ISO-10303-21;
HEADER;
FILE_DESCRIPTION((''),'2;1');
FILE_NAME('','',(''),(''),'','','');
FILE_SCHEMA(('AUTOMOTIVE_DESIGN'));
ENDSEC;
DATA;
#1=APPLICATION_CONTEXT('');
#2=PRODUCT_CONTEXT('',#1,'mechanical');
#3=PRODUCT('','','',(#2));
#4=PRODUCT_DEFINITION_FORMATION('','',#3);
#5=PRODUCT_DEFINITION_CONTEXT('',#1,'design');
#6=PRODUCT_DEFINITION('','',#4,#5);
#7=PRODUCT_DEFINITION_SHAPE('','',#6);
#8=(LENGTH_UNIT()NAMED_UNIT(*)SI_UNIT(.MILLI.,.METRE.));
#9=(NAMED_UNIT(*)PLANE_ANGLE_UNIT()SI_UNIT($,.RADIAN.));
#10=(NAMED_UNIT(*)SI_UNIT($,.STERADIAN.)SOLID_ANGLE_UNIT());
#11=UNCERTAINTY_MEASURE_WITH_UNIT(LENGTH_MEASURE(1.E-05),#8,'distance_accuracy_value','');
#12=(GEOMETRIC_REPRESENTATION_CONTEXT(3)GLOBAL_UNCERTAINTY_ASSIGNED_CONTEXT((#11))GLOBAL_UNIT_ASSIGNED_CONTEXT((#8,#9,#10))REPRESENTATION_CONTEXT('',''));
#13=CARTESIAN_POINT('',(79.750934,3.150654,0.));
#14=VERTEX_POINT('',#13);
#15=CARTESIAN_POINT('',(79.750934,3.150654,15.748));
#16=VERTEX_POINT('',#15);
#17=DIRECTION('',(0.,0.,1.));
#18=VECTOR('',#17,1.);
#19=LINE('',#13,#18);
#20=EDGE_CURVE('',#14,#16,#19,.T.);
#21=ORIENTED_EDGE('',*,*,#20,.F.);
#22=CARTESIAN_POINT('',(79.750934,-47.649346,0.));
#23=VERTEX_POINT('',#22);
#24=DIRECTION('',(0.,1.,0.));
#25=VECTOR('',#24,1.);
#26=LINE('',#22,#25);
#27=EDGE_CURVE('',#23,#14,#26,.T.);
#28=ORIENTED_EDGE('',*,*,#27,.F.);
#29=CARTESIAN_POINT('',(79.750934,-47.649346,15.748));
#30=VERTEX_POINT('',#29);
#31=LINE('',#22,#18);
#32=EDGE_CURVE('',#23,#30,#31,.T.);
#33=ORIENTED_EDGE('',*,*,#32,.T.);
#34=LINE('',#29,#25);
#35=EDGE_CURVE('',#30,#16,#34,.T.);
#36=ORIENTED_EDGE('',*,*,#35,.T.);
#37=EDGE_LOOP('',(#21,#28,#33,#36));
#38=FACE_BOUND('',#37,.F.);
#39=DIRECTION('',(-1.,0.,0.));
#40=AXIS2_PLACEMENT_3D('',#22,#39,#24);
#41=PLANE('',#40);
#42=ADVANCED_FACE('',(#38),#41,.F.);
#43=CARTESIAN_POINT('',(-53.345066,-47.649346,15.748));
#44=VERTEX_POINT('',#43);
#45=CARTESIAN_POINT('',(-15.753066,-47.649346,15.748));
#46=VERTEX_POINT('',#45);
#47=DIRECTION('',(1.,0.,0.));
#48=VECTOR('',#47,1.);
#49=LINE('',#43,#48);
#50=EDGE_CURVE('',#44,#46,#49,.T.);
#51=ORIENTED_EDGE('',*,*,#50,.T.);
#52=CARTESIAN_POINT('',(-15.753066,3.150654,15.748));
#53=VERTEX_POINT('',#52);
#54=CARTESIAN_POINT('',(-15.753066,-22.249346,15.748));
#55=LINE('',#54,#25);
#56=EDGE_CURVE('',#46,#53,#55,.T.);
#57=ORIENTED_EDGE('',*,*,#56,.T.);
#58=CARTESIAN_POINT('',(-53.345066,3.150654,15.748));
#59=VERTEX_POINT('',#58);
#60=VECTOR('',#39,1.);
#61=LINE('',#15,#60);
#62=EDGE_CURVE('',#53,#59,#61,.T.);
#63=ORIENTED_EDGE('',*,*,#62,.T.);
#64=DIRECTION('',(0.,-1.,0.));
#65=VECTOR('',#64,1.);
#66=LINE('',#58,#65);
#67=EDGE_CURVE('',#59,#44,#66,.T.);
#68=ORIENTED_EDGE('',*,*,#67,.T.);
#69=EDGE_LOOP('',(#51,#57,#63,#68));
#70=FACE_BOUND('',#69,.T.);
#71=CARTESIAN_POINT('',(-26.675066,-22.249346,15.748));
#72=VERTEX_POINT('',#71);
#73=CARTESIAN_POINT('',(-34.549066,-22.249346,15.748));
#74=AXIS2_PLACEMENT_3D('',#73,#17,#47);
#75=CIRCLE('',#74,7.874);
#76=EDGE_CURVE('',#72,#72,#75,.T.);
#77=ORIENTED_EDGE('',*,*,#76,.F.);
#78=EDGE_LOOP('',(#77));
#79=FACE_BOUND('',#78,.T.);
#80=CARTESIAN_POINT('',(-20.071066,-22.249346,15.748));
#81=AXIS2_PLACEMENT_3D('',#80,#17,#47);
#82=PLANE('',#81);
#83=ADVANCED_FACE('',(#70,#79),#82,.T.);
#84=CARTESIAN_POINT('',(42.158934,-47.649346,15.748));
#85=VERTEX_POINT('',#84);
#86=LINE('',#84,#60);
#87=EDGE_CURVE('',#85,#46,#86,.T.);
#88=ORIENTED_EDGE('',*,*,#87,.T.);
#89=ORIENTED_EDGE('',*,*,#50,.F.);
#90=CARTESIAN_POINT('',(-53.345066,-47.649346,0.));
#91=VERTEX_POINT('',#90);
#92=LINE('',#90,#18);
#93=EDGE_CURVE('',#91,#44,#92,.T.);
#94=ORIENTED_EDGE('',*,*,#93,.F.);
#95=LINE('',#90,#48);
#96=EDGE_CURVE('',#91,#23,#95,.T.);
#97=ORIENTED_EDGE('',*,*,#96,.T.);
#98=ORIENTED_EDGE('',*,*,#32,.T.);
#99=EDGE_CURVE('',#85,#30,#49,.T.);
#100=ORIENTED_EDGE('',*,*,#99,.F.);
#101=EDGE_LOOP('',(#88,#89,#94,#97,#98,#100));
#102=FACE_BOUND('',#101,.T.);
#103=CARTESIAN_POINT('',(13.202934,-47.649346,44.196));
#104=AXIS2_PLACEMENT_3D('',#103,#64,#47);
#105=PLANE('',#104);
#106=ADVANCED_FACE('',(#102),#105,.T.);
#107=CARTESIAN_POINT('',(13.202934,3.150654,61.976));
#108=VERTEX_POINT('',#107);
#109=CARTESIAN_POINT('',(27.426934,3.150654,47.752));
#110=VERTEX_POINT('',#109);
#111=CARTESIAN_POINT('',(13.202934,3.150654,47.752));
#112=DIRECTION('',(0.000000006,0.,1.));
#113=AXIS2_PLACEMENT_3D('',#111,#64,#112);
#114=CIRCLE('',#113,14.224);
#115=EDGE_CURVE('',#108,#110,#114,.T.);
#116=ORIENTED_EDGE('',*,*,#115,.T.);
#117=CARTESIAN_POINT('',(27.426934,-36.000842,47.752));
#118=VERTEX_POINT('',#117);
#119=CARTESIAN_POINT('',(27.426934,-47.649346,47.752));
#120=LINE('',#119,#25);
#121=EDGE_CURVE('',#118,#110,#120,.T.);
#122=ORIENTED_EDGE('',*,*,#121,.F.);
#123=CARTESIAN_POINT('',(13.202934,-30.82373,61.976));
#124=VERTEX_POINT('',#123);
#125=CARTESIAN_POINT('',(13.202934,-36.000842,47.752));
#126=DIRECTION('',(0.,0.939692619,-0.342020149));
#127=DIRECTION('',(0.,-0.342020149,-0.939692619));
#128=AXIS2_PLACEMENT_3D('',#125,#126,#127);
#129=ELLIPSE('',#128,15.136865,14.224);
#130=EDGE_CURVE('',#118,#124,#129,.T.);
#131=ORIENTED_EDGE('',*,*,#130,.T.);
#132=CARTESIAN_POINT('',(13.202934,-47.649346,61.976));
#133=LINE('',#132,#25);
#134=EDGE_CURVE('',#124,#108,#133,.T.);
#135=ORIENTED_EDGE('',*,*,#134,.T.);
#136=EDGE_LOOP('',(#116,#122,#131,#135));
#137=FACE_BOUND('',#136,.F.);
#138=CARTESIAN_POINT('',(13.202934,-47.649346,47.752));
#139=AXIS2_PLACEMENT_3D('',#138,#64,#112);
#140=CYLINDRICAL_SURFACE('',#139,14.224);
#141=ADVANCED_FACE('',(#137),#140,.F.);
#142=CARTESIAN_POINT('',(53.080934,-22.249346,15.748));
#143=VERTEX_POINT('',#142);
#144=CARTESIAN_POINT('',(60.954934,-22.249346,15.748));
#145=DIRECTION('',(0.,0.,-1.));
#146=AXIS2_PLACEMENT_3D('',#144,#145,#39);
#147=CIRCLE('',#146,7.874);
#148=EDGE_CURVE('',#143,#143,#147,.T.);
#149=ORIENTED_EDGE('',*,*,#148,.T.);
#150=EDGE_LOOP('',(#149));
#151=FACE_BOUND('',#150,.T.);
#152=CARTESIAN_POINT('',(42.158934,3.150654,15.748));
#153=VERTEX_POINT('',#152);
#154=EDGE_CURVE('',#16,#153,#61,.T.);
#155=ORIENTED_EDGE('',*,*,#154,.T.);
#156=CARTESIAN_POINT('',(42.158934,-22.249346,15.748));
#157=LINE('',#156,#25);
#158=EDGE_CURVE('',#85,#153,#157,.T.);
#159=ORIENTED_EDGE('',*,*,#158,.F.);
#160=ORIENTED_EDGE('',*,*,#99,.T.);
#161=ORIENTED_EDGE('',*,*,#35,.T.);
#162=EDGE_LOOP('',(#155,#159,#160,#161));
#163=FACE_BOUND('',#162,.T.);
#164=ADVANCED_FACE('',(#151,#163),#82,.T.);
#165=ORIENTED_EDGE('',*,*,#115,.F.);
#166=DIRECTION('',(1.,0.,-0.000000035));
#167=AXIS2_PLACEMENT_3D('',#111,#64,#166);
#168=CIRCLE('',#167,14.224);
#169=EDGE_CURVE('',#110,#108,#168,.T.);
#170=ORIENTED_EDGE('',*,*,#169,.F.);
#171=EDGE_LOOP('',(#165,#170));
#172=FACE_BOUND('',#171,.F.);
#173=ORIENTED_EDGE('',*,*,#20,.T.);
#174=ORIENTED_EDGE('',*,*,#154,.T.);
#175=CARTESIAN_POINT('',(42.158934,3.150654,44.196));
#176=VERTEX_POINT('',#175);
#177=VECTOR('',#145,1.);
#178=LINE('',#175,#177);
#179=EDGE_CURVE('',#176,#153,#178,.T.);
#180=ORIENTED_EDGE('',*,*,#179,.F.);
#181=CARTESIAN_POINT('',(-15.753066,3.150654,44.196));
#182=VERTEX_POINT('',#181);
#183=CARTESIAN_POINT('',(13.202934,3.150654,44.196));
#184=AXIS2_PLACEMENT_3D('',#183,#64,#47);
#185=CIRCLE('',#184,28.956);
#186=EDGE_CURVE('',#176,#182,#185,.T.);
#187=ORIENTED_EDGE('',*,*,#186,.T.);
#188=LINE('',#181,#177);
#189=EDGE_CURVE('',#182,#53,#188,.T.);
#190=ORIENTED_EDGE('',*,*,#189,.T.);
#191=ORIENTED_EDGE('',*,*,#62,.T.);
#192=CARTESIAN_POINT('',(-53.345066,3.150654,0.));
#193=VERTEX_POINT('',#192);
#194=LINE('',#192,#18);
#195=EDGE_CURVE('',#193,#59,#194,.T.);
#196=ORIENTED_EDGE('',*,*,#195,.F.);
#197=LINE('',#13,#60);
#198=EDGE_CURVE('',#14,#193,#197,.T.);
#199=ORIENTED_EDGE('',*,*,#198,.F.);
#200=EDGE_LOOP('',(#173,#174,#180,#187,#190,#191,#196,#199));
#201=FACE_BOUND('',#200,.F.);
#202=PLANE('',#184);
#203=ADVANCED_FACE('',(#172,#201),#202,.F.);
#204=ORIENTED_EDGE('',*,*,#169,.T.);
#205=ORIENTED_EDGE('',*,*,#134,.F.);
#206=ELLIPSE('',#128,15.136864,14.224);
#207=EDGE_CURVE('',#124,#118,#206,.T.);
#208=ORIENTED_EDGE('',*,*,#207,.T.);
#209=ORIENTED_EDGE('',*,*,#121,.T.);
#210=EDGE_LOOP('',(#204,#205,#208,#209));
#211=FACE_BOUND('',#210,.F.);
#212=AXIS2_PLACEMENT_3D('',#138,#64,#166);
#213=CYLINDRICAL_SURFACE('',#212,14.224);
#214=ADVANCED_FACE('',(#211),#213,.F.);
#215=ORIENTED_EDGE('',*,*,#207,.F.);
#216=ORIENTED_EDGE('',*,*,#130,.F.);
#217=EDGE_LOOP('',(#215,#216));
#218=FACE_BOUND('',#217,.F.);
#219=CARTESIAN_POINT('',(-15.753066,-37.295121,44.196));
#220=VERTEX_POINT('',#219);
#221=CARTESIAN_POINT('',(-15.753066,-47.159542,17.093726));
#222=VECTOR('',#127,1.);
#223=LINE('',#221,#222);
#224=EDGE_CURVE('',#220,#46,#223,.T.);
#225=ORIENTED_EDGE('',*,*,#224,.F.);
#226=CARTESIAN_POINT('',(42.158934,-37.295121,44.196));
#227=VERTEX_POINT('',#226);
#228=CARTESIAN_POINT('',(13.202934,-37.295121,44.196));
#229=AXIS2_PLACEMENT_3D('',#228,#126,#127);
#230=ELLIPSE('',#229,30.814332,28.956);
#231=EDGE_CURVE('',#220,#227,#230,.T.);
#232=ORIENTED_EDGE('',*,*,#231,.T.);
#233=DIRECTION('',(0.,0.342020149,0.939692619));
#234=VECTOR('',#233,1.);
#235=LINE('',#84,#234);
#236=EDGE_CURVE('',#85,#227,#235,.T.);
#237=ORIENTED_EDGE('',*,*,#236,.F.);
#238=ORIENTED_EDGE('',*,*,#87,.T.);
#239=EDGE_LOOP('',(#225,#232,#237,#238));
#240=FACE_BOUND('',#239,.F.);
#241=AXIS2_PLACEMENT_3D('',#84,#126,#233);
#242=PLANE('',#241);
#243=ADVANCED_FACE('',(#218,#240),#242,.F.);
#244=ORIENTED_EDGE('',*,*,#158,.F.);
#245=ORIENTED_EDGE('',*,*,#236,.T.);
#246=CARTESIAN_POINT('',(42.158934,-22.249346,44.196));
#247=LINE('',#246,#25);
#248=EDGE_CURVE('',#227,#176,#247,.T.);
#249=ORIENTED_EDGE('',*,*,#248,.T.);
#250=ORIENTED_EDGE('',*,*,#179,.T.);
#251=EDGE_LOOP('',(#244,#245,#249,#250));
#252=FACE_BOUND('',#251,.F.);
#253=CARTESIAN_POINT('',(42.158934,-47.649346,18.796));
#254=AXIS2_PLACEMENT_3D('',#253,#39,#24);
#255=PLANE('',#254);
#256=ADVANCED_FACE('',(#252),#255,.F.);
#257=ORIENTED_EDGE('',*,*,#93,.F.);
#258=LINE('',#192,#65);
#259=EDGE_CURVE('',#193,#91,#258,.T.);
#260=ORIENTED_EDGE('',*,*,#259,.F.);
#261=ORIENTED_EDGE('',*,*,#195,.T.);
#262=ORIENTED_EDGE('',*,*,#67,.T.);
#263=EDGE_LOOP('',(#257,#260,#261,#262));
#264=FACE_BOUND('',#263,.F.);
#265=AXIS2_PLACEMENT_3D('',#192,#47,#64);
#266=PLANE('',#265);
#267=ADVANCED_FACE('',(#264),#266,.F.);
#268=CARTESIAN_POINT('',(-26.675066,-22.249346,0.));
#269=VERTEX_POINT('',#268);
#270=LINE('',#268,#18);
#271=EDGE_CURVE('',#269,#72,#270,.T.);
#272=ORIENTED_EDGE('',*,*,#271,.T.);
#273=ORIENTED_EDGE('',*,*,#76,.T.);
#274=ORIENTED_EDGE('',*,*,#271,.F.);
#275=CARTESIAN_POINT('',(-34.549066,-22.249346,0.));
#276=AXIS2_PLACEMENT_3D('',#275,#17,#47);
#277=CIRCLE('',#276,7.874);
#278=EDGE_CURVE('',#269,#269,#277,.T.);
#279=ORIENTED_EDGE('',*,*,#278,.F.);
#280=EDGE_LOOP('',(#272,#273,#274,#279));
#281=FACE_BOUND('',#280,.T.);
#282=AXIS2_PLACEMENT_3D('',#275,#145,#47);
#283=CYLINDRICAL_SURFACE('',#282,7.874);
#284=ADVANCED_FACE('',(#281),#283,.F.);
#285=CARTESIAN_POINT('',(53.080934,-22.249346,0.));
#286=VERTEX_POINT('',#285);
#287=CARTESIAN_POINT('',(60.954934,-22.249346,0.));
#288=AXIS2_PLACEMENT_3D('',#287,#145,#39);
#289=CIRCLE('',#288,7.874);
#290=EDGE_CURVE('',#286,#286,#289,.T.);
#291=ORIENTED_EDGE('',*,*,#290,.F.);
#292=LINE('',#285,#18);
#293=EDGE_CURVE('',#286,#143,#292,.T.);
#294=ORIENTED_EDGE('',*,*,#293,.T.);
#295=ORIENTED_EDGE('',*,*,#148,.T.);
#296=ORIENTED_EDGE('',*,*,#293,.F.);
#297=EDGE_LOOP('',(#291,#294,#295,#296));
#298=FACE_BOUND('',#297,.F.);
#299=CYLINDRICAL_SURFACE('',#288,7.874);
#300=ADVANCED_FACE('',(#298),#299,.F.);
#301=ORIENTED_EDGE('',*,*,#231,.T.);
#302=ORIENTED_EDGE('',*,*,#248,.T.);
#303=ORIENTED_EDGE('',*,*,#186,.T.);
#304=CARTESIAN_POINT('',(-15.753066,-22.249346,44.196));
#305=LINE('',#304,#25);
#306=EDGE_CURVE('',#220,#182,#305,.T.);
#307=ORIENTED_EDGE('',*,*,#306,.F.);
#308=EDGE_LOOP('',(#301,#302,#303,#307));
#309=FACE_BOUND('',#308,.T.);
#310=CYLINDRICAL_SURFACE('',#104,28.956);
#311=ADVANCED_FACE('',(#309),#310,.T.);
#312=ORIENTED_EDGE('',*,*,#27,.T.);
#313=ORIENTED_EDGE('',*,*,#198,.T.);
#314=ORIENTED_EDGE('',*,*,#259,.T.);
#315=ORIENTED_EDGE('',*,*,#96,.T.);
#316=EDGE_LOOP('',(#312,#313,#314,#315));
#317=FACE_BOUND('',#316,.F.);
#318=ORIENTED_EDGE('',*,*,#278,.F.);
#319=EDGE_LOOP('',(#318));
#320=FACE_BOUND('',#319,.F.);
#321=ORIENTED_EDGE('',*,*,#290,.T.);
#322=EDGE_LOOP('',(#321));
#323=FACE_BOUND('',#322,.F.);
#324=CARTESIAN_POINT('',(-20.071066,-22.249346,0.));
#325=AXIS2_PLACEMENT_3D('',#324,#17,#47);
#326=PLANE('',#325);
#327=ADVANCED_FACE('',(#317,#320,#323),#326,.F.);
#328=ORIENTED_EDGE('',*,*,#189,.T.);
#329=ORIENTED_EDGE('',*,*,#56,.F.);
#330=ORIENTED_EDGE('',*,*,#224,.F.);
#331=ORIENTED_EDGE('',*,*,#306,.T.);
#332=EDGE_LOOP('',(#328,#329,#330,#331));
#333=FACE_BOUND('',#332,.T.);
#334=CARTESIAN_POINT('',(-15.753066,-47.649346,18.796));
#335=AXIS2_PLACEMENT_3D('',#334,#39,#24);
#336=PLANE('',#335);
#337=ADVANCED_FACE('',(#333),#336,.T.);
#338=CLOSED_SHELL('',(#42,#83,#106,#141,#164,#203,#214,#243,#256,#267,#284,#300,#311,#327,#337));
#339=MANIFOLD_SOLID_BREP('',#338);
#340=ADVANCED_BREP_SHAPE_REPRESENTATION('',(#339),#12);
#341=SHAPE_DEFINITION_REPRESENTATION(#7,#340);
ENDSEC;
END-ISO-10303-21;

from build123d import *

# Parameters (mm, degrees)
F0_R      = 7.874
F1_DEPTH  = 15.748
F2_W      = 57.912
F2_H      = 50.8
F3_DEPTH  = 3.048
F3_FACE_W = 57.912
F3_FACE_H = 50.8
F4_DEPTH  = 25.4
F5_R      = 28.956
F6_DEPTH  = 50.8
F8_DEPTH  = 50.8
F10_DEPTH = 177.8


with BuildPart() as f1:
    # F0 (on Top) → F1 (new body)
    with BuildSketch(Plane.XY):
        Polygon((13.202934, 3.150654), (-53.345066, 3.150654), (-53.345066, -47.649346), (13.202934, -47.649346), (13.202934, -22.249346), align=None)
        with Locations((-34.549066, -22.249346)):
            Circle(F0_R, mode=Mode.SUBTRACT)
        with BuildLine():
            ThreePointArc((68.828934, -22.249346), (60.954934, -14.375346), (53.080934, -22.249346))
            ThreePointArc((53.080934, -22.249346), (60.954934, -30.123346), (68.828934, -22.249346))
        make_face()
        Polygon((79.750934, 3.150654), (13.202934, 3.150654), (13.202934, -22.249346), (13.202934, -47.649346), (79.750934, -47.649346), align=None)
        with BuildLine():
            ThreePointArc((68.828934, -22.249346), (60.954934, -30.123346), (53.080934, -22.249346))
            ThreePointArc((53.080934, -22.249346), (60.954934, -14.375346), (68.828934, -22.249346))
        make_face(mode=Mode.SUBTRACT)
    extrude(amount=F1_DEPTH)

    # F2 (on face) → F3 (join)
    with BuildSketch(Plane.XY.offset(15.748)):
        with Locations((13.202934, -22.249346)):
            Rectangle(F2_W, F2_H)
    extrude(amount=F3_DEPTH)

    # F3_face (on face) → F4 (join)
    with BuildSketch(Plane(origin=(13.202934, -22.249346, 18.796), x_dir=(1, 0, 0), z_dir=(0, 0, 1))):
        Rectangle(F3_FACE_W, F3_FACE_H)
    extrude(amount=F4_DEPTH)

    # F5 (on face) → F6 (join)
    with BuildSketch(Plane.XZ.offset(47.649346)):
        with Locations((13.202934, 44.196)):
            Circle(F5_R)
    extrude(amount=-F6_DEPTH)

    # F7 (on face) → F8 (cut)
    with BuildSketch(Plane.XZ.offset(47.649346)):
        with BuildLine():
            ThreePointArc((13.202934, 61.976), (3.145047, 37.694113), (27.426934, 47.752))
            ThreePointArc((27.426934, 47.752), (23.260821, 57.809887), (13.202934, 61.976))
        make_face()
    extrude(amount=-F8_DEPTH, mode=Mode.SUBTRACT)

    # F9 (on face) → F10 (cut)
    with BuildSketch(Plane.YZ.offset(42.158934)):
        Polygon((-47.649346, 73.572527), (-47.649346, 15.748), (-26.602939, 73.572527), align=None)
    extrude(amount=-F10_DEPTH, mode=Mode.SUBTRACT)


solid = f1.part
